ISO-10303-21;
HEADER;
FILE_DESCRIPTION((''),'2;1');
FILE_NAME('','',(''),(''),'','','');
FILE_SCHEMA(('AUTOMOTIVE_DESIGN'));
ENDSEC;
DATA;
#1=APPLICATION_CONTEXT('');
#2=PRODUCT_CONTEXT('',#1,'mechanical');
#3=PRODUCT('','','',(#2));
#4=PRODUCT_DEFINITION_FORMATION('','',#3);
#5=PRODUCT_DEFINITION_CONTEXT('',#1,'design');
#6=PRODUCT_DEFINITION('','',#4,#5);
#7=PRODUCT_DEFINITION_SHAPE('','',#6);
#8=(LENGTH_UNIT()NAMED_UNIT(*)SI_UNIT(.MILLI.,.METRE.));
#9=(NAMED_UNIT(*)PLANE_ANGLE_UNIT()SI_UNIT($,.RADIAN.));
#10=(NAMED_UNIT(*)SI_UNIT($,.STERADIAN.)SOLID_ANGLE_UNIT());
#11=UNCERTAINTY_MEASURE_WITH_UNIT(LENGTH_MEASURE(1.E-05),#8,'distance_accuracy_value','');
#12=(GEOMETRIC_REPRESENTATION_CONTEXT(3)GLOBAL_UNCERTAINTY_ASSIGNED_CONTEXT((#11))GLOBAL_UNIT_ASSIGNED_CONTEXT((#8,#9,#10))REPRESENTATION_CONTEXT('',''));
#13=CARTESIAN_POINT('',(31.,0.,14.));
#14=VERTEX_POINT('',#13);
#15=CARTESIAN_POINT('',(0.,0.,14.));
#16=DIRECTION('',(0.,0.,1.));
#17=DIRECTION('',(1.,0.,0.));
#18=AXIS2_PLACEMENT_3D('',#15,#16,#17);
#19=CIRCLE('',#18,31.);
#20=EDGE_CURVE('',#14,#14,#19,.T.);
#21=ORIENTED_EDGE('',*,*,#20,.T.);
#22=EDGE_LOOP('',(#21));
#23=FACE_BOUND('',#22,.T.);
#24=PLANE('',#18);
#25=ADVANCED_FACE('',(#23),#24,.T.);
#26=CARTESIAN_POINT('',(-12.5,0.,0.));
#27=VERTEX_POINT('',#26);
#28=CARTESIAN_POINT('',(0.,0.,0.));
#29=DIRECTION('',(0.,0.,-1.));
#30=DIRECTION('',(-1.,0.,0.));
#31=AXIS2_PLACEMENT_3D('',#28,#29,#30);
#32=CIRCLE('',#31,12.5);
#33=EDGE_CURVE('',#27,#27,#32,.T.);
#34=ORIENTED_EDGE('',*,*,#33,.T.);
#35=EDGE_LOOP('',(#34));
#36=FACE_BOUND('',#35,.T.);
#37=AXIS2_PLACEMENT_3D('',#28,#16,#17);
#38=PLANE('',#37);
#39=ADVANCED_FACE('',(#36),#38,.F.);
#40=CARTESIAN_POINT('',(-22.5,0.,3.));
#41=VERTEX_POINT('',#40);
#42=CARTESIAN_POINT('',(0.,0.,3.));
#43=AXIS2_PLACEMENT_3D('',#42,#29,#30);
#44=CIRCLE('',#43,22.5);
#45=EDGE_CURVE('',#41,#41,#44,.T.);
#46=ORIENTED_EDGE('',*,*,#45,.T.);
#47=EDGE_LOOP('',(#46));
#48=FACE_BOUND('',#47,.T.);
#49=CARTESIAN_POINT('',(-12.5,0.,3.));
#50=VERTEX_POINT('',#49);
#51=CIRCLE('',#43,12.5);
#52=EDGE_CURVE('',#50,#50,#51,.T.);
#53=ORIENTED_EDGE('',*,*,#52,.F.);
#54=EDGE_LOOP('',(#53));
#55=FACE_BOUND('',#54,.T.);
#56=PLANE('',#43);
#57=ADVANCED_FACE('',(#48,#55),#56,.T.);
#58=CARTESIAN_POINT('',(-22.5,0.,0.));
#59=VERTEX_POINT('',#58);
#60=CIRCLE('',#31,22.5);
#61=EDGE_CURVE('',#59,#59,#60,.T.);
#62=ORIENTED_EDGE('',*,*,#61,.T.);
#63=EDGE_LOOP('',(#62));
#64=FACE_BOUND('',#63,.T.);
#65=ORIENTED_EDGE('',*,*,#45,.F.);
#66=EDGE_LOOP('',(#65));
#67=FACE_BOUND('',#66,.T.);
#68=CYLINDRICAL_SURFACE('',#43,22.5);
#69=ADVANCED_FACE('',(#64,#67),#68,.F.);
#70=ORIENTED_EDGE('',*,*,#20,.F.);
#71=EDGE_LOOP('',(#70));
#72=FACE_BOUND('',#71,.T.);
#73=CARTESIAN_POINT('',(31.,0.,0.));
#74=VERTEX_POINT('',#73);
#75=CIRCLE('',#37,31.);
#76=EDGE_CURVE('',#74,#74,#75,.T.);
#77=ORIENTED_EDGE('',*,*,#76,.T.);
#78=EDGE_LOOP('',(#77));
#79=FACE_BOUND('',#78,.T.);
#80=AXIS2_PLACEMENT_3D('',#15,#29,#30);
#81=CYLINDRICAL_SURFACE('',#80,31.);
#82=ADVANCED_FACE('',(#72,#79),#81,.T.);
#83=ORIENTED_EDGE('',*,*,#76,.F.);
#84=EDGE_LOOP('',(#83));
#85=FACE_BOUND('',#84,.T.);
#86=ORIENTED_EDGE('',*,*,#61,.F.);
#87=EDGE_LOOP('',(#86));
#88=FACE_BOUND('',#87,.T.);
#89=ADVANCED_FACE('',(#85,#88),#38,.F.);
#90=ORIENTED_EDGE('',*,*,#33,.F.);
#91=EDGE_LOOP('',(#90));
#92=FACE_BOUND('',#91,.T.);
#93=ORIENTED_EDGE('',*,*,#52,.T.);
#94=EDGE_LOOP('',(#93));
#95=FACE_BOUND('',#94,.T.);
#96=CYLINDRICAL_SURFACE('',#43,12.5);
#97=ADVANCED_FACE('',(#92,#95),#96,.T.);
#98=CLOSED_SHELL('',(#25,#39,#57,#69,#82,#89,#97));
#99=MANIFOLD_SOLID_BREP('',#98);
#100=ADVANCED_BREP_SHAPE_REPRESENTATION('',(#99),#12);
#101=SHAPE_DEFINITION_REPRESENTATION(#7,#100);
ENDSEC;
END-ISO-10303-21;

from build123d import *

# Parameters (mm, degrees)
ESQUISSE1_R             = 31
BOSS_EXTRU_1_DEPTH      = 14
ESQUISSE2_R             = 22.5
ESQUISSE2_R_2           = 12.5
ENL_V_MAT_EXTRU_1_DEPTH = 3


with BuildPart() as part:
    # Esquisse1 → Boss.-Extru.1 (new body)
    with BuildSketch(Plane.XY):
        Circle(ESQUISSE1_R)
    extrude(amount=BOSS_EXTRU_1_DEPTH)

    # Esquisse2 → Enlèv. mat.-Extru.1 (cut)
    with BuildSketch(Plane(origin=(0, 0, 0), x_dir=(-1, 0, 0), z_dir=(0, 0, -1))):
        Circle(ESQUISSE2_R)
        Circle(ESQUISSE2_R_2, mode=Mode.SUBTRACT)
    extrude(amount=-ENL_V_MAT_EXTRU_1_DEPTH, mode=Mode.SUBTRACT)


solid = part.part
